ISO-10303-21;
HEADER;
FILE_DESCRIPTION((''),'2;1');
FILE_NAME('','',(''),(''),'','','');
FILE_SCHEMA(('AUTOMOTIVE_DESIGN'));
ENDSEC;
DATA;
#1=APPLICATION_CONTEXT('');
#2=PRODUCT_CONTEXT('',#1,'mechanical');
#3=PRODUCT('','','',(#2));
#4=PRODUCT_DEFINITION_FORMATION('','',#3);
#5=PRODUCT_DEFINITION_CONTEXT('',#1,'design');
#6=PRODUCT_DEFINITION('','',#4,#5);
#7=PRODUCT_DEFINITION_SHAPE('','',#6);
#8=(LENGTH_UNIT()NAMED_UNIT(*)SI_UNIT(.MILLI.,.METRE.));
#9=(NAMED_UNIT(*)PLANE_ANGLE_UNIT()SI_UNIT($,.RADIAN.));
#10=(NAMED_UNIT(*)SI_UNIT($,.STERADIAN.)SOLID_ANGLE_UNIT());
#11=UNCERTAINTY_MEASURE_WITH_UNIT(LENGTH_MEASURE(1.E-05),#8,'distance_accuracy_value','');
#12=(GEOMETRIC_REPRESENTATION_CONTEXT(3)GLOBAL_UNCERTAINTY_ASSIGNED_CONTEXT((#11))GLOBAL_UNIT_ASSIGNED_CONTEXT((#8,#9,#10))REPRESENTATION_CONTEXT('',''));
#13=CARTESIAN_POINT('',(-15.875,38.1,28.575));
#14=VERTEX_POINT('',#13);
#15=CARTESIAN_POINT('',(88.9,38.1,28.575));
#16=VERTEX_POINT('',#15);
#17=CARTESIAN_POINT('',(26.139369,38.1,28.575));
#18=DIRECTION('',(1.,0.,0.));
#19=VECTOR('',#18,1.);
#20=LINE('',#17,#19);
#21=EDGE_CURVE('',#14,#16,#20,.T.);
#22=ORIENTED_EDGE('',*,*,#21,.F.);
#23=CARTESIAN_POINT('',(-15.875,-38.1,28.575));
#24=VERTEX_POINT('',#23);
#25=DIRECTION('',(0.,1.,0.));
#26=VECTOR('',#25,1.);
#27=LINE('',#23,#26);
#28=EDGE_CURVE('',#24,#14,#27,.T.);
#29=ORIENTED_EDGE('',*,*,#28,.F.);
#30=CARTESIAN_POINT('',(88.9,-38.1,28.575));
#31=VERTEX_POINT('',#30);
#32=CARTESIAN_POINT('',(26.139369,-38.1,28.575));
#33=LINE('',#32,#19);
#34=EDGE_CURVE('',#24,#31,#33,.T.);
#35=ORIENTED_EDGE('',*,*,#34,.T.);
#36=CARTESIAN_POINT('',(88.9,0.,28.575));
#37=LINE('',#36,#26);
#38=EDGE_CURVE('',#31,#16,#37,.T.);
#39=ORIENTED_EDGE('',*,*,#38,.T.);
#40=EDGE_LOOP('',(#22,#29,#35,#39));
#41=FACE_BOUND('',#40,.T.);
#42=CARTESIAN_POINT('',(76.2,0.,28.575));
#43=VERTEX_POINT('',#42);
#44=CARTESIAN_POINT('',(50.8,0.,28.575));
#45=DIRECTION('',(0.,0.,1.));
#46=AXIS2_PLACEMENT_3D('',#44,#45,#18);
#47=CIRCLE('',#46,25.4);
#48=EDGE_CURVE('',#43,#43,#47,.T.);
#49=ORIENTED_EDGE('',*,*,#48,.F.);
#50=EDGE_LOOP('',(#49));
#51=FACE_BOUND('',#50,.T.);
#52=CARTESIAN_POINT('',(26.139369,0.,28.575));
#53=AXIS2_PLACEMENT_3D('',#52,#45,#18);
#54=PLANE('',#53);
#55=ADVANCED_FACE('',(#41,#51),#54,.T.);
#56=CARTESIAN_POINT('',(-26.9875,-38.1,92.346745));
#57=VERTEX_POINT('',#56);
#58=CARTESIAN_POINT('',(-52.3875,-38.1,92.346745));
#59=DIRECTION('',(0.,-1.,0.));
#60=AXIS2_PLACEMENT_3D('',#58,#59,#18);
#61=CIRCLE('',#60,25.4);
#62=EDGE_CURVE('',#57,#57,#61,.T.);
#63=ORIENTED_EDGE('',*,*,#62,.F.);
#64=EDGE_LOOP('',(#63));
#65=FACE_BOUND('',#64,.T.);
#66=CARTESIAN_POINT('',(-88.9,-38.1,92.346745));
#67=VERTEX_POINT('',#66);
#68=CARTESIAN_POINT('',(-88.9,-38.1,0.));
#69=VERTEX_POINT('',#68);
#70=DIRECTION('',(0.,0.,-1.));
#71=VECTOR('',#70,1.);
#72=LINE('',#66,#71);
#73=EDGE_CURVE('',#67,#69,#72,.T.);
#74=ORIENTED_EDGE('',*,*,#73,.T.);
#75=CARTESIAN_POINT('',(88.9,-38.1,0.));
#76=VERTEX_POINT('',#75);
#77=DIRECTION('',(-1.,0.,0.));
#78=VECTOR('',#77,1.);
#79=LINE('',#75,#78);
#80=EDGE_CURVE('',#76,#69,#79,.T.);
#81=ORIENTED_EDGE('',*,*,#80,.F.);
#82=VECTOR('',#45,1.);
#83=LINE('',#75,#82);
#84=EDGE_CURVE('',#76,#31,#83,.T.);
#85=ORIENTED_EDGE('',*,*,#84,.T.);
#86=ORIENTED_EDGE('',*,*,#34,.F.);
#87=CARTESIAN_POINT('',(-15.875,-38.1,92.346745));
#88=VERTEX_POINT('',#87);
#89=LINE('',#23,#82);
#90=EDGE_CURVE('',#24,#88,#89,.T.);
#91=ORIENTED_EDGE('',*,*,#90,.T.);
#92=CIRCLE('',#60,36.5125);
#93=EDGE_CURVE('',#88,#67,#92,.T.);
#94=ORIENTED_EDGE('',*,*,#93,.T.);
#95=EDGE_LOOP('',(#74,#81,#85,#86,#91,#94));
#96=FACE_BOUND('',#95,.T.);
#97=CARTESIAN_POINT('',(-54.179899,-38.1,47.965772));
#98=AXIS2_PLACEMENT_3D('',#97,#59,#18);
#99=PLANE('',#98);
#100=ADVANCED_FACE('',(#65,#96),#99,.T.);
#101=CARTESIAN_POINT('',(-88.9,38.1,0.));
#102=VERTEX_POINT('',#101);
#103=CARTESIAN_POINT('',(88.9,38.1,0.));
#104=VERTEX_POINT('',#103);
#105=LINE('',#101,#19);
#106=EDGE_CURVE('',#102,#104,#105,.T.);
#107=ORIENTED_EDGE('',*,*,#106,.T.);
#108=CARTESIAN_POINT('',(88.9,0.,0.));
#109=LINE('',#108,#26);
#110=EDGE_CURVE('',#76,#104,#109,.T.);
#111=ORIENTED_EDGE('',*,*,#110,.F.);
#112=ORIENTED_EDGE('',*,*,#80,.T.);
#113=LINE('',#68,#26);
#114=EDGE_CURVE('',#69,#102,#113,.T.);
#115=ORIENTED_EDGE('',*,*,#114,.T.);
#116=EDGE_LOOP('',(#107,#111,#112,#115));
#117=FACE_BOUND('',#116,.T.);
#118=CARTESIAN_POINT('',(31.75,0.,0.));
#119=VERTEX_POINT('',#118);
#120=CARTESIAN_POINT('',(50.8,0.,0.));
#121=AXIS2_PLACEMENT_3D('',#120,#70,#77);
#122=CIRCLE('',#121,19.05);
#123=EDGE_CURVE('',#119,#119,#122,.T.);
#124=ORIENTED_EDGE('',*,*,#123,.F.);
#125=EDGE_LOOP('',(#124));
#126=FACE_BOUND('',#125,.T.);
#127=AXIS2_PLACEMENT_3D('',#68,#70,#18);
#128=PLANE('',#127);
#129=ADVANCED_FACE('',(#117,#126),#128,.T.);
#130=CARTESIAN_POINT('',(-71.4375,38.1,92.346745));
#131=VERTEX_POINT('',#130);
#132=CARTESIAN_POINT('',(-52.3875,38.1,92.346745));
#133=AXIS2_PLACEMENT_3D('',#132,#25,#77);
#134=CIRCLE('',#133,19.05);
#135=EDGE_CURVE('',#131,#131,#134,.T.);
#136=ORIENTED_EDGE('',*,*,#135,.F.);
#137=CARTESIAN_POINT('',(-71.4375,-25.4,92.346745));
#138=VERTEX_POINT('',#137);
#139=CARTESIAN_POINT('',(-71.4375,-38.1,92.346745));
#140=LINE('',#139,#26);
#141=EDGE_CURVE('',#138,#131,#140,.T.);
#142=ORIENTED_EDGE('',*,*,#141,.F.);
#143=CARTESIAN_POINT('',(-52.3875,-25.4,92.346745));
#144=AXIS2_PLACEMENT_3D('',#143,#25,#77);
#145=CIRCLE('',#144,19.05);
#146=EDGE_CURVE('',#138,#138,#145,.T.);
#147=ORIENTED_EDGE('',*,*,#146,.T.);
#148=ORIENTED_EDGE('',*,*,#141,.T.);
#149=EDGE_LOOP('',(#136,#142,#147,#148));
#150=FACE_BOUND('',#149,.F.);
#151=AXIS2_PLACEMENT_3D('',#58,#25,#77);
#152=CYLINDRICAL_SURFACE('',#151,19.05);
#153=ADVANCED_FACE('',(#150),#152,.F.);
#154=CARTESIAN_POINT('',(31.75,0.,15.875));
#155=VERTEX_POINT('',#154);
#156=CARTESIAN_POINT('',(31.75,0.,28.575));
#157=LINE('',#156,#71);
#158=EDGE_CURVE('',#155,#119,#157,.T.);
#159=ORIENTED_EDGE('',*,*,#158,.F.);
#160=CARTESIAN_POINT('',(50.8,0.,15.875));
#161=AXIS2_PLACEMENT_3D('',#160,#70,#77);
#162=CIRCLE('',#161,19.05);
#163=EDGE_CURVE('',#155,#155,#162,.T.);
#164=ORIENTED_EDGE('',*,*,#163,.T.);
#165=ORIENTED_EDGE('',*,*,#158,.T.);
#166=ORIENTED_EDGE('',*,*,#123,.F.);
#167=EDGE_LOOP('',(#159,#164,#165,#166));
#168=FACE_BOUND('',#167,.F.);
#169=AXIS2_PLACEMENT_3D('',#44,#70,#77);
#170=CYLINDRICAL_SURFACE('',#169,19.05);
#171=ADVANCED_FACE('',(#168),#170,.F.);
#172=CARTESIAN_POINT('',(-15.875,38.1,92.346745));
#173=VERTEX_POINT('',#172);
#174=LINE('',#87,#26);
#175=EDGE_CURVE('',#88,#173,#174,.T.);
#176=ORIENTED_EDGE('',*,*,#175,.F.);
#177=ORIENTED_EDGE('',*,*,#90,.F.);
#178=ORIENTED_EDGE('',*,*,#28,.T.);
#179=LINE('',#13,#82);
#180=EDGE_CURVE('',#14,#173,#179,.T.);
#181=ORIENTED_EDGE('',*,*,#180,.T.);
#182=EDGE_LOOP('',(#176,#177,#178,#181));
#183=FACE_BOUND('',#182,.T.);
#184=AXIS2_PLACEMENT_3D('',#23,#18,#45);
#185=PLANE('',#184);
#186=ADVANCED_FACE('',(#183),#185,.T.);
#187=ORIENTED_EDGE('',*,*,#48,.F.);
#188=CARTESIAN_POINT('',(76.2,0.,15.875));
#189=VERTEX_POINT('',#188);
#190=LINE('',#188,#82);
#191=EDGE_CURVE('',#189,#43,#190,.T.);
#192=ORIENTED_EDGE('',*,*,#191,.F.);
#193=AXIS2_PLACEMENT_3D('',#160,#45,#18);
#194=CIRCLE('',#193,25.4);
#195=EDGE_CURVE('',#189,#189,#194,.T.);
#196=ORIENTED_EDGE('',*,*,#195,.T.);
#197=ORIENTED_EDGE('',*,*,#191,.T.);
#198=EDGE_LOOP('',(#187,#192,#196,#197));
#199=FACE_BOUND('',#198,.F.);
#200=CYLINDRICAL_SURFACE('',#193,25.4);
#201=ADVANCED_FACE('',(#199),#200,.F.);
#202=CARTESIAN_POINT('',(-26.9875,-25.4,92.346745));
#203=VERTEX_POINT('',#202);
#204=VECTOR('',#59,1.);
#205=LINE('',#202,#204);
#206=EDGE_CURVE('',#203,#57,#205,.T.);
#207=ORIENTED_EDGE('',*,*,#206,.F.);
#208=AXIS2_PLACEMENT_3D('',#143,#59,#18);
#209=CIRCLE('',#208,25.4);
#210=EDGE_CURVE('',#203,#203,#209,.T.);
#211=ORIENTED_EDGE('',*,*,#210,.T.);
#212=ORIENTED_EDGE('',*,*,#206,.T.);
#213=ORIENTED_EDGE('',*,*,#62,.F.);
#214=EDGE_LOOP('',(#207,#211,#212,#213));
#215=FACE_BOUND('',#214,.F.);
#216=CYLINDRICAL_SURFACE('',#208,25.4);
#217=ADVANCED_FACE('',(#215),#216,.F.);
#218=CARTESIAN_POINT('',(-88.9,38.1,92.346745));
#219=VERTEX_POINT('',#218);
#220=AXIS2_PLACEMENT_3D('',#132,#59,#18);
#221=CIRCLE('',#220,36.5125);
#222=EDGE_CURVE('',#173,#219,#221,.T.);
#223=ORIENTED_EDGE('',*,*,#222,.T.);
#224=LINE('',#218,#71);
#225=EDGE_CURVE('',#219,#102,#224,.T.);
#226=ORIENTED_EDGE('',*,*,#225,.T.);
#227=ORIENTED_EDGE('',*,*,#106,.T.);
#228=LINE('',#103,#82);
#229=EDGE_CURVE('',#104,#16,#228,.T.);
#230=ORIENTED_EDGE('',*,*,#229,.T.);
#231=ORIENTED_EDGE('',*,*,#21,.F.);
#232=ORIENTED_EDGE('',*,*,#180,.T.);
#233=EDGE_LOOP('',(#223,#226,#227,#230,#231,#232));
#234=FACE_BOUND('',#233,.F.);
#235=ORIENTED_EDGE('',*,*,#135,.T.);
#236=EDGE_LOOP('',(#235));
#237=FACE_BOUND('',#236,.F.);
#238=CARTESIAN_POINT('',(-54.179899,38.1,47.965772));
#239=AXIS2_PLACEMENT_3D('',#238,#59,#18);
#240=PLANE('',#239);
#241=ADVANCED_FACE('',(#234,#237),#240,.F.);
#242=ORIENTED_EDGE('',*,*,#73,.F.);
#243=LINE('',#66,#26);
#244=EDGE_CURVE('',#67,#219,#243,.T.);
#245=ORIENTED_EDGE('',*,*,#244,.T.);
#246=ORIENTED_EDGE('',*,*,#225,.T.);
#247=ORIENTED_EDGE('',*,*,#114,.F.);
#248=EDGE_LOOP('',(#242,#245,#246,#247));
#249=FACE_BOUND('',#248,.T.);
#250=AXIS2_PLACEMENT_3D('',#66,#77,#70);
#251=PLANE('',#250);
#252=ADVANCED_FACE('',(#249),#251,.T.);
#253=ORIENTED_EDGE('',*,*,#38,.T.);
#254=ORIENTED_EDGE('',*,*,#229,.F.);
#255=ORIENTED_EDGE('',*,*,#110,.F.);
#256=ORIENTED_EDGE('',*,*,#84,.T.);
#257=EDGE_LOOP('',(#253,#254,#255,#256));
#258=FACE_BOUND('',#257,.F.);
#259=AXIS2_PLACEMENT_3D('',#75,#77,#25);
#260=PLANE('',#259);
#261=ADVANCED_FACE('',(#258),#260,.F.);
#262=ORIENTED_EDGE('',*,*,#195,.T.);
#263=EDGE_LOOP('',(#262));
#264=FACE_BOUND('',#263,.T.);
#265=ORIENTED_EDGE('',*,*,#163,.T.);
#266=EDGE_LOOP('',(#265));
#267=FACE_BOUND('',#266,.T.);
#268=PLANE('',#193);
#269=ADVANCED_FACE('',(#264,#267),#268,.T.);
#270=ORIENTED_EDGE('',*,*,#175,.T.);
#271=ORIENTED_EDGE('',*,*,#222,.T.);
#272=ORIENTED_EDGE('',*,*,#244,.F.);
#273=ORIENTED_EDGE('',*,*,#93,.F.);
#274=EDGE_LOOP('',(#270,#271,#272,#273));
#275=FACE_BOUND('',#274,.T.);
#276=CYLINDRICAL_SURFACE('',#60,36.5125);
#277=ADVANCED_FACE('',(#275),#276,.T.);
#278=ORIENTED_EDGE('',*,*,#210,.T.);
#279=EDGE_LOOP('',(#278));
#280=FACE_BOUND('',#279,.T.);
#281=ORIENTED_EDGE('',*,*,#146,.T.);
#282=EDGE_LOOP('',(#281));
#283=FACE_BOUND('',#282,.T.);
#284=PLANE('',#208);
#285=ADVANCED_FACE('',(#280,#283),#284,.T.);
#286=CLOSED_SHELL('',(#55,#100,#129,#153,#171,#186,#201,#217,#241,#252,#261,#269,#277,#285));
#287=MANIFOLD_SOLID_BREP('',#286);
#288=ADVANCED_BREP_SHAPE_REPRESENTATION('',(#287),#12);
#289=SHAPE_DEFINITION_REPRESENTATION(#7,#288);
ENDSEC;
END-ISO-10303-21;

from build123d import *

# Parameters (mm, degrees)
F0_W           = 125.521261
F0_H           = 76.2
F1_DEPTH       = 28.575
F3_D           = 38.1
F3_CBORE_D     = 50.8
F3_CBORE_DEPTH = 12.7
F5_DEPTH       = 76.2
F6_D           = 38.1
F6_CBORE_D     = 50.8
F6_CBORE_DEPTH = 12.7


with BuildPart() as f1:
    # F0 (on Top) → F1 (new body)
    with BuildSketch(Plane.XY):
        with Locations((26.139369, 0)):
            Rectangle(F0_W, F0_H)
    extrude(amount=F1_DEPTH)

    # F3 (through all)
    with Locations(Plane.XY.offset(28.575)):
        with Locations((50.8, 0)):
            CounterBoreHole(F3_D / 2, F3_CBORE_D / 2, F3_CBORE_DEPTH)

    # F4 (on face) → F5 (join)
    with BuildSketch(Plane.XZ.offset(38.1)):
        Polygon((-88.9, 92.346745), (-88.9, 0), (-36.621261, 0), (-36.621261, 28.575), (-15.875, 28.575), (-15.875, 92.346745), align=None)
        with BuildLine():
            ThreePointArc((-15.875, 92.346745), (-52.3875, 128.859245), (-88.9, 92.346745))
            Line((-88.9, 92.346745), (-15.875, 92.346745))
        make_face()
    extrude(amount=-F5_DEPTH)

    # F6 (through all)
    with Locations(Plane.XZ.offset(38.1)):
        with Locations((-52.3875, 92.346745)):
            CounterBoreHole(F6_D / 2, F6_CBORE_D / 2, F6_CBORE_DEPTH)


solid = f1.part
